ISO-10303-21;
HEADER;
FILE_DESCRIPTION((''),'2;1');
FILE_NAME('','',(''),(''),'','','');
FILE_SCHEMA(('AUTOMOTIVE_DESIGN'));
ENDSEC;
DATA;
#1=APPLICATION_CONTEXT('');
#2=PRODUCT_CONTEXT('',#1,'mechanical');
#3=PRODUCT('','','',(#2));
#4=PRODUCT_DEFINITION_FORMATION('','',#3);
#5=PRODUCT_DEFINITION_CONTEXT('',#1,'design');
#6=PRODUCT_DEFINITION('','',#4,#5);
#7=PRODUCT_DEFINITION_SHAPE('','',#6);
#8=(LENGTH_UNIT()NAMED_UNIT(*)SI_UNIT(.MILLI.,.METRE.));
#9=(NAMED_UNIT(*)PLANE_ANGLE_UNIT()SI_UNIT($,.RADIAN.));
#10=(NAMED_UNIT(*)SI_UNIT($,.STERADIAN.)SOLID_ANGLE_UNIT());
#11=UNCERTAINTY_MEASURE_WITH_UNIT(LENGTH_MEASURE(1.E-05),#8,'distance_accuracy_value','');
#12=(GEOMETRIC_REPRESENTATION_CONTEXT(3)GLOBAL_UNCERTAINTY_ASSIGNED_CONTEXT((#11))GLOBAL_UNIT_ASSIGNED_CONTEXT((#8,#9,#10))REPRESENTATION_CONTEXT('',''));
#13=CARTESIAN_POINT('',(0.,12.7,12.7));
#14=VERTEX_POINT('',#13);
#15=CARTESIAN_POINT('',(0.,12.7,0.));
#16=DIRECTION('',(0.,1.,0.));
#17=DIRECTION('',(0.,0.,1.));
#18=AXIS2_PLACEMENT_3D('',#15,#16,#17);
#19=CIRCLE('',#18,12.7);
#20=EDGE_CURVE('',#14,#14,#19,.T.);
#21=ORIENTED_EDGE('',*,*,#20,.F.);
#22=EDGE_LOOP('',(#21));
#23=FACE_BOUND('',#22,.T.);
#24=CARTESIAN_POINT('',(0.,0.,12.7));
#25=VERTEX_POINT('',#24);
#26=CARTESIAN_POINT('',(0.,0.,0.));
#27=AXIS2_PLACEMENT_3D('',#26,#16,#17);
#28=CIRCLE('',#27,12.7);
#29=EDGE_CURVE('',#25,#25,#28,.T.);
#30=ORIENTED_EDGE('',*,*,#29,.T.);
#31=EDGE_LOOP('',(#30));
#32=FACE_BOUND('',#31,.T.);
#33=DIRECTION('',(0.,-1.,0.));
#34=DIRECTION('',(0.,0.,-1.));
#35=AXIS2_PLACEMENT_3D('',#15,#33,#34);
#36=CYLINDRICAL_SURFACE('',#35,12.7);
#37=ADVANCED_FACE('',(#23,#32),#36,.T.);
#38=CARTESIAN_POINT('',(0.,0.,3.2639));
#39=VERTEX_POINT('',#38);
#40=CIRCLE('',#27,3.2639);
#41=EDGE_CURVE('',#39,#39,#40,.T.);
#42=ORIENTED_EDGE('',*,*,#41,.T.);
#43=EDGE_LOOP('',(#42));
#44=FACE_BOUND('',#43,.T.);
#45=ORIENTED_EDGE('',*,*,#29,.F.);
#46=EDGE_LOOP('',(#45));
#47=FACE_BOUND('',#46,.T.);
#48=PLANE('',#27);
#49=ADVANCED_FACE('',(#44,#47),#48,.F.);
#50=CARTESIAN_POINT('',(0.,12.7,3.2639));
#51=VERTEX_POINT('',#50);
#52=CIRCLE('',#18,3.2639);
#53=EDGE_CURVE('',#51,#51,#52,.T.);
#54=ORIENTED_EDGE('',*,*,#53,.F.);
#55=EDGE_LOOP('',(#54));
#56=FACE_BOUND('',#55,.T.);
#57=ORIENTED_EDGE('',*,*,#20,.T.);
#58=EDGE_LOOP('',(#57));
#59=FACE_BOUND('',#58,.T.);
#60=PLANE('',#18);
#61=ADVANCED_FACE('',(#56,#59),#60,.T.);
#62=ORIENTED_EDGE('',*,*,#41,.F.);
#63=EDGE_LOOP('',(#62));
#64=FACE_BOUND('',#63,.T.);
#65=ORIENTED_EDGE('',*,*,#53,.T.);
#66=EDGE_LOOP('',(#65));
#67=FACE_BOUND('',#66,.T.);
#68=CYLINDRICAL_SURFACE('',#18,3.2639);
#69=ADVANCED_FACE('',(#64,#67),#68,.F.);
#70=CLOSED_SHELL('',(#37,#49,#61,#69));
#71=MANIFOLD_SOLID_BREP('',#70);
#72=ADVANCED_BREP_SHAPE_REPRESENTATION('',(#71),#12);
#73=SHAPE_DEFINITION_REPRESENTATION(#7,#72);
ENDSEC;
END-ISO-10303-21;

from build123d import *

# Parameters (mm, degrees)
SKETCH1_R               = 12.7
BOSS_EXTRUDE1_DEPTH     = 12.7
F_1_4_CLEARANCE_HOLE1_D = 6.5278


with BuildPart() as part:
    # Sketch1 → Boss-Extrude1 (new body)
    with BuildSketch(Plane(origin=(0, 0, 0), x_dir=(1, 0, 0), z_dir=(0, 1, 0))):
        with Locations(Location((0, 0, 0), (0, 0, 270))):
            Circle(SKETCH1_R)
    extrude(amount=BOSS_EXTRUDE1_DEPTH)

    # 1/4 Clearance Hole1 (through all)
    with Locations(Plane(origin=(0, 12.7, 0), x_dir=(1, 0, 0), z_dir=(0, 1, 0))):
        with Locations((0, 0)):
            Hole(F_1_4_CLEARANCE_HOLE1_D / 2)


solid = part.part
